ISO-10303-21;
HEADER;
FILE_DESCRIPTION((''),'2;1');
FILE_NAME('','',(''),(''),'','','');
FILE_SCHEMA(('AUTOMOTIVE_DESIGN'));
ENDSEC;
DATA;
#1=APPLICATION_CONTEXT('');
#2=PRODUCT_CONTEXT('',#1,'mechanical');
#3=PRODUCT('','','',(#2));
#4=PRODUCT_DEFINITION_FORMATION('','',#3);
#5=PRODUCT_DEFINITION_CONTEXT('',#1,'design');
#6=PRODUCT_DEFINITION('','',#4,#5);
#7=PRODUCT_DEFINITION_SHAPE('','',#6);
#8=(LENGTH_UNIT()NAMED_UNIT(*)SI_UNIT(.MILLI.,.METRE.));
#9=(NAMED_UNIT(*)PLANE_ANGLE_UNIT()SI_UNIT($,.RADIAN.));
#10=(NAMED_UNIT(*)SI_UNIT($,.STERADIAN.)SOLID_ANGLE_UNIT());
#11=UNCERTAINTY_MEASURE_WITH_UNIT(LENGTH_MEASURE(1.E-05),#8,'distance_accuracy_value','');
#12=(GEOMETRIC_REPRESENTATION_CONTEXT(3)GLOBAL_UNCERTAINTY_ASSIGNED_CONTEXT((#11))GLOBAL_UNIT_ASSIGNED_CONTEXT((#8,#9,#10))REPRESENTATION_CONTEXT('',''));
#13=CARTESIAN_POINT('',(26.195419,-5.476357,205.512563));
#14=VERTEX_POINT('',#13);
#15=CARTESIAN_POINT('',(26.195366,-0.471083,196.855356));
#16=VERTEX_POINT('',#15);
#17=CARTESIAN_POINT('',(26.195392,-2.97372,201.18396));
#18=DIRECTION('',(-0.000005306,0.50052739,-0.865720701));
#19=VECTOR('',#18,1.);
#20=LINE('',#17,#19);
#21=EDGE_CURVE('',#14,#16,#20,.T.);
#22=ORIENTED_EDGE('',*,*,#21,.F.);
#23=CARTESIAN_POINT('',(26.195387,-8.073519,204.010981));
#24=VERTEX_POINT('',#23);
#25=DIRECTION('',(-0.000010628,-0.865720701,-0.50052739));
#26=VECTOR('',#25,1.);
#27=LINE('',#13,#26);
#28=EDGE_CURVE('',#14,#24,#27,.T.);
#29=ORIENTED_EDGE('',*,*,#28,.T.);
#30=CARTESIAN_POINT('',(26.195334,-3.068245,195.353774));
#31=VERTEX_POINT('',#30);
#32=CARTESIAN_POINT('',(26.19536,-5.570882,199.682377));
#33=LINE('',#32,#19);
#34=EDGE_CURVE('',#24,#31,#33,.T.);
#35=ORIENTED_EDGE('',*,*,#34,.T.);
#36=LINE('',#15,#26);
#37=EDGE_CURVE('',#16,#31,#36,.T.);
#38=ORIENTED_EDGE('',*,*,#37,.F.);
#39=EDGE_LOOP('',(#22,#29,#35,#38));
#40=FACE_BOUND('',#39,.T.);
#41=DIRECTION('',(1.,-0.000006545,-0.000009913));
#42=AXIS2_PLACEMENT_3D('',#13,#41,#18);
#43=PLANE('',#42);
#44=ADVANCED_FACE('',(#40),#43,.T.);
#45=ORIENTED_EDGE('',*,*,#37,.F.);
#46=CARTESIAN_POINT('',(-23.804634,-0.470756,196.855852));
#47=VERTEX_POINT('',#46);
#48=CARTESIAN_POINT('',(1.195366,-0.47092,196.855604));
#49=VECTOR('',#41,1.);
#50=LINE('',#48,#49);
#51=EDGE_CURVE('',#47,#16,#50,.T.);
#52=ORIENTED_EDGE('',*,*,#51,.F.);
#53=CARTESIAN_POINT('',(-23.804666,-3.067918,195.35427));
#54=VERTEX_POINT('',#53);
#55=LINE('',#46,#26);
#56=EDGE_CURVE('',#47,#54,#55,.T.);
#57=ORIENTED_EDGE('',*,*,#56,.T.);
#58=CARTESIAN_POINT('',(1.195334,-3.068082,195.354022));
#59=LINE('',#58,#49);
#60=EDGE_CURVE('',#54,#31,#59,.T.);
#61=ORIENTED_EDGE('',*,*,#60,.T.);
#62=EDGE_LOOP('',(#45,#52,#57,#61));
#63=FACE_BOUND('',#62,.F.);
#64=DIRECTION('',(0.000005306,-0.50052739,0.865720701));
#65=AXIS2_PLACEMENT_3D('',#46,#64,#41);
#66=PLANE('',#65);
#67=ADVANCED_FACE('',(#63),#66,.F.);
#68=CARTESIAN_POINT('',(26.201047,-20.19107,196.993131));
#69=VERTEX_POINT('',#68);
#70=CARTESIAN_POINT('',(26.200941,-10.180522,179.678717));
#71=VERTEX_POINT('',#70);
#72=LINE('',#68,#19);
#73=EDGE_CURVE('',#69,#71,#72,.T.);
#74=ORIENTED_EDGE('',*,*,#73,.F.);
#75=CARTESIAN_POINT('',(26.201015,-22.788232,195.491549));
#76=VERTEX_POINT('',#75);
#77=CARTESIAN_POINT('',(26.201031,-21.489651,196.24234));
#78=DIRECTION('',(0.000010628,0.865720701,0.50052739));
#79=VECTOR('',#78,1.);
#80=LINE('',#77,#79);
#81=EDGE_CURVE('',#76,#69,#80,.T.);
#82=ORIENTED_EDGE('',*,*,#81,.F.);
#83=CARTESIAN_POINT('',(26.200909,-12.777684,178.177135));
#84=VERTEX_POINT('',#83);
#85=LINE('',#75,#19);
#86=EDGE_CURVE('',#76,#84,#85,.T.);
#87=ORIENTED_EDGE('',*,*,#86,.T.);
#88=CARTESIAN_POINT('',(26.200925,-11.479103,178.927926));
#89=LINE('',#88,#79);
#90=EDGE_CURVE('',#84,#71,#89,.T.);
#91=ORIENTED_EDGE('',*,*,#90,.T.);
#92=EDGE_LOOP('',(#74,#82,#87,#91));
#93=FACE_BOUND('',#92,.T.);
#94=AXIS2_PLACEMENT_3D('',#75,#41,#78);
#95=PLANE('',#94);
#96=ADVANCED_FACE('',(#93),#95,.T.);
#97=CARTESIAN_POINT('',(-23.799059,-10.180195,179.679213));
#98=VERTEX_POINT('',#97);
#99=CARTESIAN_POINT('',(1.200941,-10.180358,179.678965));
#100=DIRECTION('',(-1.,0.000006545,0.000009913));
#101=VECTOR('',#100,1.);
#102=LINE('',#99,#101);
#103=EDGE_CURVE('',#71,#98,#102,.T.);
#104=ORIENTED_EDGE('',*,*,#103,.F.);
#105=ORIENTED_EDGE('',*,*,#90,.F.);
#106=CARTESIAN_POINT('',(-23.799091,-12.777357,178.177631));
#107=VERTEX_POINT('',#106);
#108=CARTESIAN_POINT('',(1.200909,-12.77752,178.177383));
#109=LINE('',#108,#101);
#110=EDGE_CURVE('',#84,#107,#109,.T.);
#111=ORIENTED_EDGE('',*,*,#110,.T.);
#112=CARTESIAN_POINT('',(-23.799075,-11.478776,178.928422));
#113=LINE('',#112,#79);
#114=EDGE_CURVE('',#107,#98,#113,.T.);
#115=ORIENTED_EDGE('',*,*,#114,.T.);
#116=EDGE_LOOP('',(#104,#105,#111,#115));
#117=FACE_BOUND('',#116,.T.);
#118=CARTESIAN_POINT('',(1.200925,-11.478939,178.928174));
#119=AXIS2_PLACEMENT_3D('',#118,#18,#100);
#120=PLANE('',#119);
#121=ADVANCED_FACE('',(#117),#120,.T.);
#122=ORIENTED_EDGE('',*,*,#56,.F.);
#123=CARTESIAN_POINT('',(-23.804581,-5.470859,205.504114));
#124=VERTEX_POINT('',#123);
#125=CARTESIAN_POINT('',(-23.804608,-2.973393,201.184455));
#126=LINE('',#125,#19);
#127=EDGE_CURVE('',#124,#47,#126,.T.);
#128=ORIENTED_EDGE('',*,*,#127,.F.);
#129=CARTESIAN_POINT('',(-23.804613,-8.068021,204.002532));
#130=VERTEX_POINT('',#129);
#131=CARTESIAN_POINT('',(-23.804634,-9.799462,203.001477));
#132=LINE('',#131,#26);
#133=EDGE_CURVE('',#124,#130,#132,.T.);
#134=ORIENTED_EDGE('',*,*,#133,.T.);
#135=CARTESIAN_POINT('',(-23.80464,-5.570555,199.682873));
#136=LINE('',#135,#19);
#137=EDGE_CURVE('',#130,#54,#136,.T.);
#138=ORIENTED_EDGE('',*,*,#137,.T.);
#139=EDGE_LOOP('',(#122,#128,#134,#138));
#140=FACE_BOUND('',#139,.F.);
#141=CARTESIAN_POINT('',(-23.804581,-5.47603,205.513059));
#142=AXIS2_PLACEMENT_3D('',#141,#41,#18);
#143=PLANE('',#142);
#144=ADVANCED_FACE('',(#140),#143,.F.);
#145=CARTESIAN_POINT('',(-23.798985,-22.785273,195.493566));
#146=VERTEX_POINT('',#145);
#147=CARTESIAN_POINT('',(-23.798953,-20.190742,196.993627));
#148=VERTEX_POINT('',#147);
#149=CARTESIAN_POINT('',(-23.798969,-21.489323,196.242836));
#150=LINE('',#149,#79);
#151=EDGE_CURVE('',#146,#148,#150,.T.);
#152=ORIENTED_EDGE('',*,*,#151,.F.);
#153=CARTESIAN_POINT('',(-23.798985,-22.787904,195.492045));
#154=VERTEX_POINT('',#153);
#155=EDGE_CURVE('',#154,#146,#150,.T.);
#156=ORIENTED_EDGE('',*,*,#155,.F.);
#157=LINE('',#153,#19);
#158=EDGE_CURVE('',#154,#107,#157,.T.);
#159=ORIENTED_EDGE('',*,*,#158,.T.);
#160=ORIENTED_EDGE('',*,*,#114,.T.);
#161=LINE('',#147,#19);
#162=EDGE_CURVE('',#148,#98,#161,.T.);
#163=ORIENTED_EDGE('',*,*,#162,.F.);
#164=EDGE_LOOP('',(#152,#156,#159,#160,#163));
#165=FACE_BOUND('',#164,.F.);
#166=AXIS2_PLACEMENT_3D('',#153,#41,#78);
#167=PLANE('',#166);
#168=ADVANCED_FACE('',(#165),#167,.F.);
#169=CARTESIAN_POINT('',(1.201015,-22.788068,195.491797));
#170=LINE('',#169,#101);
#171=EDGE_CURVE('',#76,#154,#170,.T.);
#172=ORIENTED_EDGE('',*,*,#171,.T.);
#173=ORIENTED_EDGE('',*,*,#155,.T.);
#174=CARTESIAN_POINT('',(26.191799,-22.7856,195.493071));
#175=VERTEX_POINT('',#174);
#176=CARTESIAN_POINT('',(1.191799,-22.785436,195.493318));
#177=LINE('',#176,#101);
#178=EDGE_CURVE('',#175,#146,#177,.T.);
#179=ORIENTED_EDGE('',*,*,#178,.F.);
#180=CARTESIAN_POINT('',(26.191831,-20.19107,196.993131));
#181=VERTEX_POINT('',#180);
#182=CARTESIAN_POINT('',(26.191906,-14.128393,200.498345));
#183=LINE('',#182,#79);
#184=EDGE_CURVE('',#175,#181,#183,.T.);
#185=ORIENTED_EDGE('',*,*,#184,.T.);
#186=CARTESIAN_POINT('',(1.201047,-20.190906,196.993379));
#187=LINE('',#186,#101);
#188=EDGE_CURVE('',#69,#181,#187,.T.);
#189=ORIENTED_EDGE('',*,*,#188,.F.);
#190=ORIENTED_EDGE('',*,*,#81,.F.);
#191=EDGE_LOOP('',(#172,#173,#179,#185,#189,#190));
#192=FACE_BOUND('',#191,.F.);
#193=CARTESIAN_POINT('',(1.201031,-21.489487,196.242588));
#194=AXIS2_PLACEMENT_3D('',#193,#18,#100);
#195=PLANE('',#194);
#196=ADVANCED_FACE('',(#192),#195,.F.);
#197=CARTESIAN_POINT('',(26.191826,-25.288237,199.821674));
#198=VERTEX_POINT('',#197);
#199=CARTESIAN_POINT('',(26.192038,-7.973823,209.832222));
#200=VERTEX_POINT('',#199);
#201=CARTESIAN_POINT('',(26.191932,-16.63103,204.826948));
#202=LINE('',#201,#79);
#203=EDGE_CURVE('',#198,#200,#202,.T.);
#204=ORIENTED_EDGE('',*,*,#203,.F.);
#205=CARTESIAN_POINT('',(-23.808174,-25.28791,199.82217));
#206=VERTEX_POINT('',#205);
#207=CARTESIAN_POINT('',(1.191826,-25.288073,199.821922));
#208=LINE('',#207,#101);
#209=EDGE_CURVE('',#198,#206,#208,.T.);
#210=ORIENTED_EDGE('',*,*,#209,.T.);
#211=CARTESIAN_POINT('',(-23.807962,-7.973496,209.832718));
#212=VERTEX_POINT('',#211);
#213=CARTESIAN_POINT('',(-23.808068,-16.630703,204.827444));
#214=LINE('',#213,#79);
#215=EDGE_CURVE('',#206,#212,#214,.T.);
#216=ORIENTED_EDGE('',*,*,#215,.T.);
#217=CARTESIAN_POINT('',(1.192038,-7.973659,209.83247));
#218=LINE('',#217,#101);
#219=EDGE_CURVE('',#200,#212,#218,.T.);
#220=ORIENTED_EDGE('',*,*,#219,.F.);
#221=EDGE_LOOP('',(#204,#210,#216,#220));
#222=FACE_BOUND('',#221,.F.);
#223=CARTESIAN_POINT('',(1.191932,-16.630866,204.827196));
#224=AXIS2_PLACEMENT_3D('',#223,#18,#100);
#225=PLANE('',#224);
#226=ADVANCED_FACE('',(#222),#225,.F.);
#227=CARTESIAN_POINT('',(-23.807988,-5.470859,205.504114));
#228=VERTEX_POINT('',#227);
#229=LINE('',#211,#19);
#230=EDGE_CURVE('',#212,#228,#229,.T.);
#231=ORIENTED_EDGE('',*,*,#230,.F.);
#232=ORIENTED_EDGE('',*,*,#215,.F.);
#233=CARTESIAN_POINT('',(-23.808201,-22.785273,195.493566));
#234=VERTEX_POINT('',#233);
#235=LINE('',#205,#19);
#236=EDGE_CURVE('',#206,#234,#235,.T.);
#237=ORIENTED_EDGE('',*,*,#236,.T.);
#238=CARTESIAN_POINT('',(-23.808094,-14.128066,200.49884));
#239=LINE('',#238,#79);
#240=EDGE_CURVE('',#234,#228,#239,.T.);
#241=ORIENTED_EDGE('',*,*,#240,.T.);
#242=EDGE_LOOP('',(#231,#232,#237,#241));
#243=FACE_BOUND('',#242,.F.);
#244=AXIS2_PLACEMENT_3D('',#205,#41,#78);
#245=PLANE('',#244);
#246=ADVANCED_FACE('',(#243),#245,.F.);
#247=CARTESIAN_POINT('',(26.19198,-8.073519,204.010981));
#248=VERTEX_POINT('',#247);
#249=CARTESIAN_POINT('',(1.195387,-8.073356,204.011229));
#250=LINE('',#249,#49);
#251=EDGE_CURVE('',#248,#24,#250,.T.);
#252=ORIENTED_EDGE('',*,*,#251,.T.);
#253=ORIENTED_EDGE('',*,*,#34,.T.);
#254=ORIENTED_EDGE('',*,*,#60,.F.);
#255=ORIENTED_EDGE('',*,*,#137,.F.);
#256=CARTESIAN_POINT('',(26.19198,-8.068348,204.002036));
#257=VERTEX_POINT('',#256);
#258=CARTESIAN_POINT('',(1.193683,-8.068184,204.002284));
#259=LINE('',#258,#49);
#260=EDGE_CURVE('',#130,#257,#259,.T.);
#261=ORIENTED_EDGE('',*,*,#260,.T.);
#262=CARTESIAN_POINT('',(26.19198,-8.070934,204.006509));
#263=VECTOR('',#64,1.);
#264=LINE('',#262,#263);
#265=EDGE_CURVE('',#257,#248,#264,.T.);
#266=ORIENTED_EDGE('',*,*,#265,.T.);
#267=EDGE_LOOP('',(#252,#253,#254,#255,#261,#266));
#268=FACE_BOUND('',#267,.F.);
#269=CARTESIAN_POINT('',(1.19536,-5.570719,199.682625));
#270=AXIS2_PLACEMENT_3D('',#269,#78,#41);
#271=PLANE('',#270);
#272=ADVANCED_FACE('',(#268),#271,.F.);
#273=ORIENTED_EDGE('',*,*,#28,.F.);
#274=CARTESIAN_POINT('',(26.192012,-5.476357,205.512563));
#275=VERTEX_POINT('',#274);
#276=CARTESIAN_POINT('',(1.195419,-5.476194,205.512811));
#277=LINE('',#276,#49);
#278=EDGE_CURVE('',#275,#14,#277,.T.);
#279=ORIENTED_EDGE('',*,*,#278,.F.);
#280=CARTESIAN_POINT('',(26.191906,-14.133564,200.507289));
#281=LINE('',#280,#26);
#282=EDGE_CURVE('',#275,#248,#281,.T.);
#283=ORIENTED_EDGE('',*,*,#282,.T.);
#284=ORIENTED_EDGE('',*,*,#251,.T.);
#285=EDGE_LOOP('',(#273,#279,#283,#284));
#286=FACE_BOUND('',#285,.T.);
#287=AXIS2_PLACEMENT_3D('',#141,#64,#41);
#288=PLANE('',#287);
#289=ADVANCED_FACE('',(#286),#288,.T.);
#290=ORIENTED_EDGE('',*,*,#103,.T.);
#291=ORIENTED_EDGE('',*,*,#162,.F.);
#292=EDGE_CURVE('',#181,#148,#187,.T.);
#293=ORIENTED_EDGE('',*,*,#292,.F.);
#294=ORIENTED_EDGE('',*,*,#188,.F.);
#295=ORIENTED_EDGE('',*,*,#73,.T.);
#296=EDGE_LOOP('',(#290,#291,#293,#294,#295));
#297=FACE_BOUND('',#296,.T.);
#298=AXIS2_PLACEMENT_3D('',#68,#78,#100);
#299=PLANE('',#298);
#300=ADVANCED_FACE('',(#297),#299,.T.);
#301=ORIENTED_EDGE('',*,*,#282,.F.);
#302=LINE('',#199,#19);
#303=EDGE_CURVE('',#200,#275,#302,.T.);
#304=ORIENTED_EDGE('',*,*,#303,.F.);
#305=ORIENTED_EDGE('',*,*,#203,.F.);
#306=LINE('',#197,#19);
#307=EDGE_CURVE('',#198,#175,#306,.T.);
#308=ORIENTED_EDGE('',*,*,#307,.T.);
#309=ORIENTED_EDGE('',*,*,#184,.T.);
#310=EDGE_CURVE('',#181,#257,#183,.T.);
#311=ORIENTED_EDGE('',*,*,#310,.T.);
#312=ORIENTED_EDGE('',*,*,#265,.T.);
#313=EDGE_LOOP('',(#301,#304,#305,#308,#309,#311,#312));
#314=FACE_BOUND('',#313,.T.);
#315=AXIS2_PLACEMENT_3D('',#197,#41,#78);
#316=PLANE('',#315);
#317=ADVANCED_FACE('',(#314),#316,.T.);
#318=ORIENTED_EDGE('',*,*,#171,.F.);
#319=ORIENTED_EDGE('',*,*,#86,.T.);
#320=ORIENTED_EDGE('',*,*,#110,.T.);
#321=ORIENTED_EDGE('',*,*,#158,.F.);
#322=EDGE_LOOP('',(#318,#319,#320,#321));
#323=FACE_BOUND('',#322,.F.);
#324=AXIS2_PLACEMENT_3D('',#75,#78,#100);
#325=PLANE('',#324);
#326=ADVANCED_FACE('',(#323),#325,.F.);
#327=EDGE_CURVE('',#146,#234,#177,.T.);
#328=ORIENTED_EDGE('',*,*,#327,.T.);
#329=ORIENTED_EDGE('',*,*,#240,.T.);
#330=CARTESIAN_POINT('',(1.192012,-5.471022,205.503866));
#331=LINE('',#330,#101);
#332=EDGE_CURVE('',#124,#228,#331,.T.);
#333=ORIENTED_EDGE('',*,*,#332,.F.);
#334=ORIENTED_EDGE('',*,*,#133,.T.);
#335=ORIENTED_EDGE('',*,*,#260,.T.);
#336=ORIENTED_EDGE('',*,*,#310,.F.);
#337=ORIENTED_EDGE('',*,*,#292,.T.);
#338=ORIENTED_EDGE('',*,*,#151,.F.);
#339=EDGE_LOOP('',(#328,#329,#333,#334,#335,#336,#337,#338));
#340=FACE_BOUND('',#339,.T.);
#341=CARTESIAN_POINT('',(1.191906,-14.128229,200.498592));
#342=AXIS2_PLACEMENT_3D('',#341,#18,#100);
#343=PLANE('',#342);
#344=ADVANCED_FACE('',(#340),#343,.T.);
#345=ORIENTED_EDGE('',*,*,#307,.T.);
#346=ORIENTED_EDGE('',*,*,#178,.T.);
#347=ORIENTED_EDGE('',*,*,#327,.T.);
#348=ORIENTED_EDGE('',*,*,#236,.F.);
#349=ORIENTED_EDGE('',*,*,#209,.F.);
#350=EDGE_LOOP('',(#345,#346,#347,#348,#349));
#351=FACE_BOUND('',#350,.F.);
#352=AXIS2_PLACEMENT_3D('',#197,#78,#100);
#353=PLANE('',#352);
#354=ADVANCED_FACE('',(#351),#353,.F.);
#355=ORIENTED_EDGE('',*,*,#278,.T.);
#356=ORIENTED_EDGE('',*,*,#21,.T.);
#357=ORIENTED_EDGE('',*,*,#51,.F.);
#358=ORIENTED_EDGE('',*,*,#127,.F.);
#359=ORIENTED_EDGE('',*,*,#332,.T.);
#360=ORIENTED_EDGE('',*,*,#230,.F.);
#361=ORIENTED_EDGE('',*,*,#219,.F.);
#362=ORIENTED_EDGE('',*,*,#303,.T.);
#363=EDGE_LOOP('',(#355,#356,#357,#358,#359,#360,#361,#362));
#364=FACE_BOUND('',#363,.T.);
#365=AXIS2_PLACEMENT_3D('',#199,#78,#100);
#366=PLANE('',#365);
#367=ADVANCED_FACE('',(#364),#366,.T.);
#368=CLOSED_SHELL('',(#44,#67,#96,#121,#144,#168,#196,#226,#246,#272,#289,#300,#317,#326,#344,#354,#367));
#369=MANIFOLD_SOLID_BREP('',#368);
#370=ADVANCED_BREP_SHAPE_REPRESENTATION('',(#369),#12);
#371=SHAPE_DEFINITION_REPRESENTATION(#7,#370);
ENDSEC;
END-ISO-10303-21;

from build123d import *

# Parameters (mm, degrees)
SKETCH057_W             = 50
SKETCH057_H             = 20
PAD056_DEPTH            = 5
SKETCH058_W             = 50
SKETCH058_H             = 3
PAD057_DEPTH            = 20
SKETCH059_W             = 50
SKETCH059_H             = 10
PAD058_DEPTH            = 3
BODY043_ROLL_ANGLE      = 149.965102
BODY043_PITCH_ANGLE     = -0.000568
BODY043_PLACEMENT_ANGLE = 179.999625


with BuildPart() as part:
    # Sketch057 → Pad056 (new body)
    with BuildSketch(Plane.XY):
        with Locations((184.845276, -123.914059)):
            Rectangle(SKETCH057_W, SKETCH057_H)
    extrude(amount=PAD056_DEPTH)

    # Sketch058 (on Face6 of Pad056) → Pad057 (join)
    with BuildSketch(Plane.XY.offset(5)):
        with Locations((184.83606, -132.417099)):
            Rectangle(SKETCH058_W, SKETCH058_H)
    extrude(amount=PAD057_DEPTH)

    # Sketch059 (on Face7 of Pad057) → Pad058 (join)
    with BuildSketch(Plane(origin=(0, -113.914059, 0), x_dir=(-1, 0, 0), z_dir=(0, 1, 0))):
        with Locations((-184.841869, 9.989668)):
            Rectangle(SKETCH059_W, SKETCH059_H)
    extrude(amount=-PAD058_DEPTH)


with BuildPart() as part_1:
    # Body043 roll: moved
    add(part.part.rotate(Axis((0, 0, 0), (1, 0, 0)), BODY043_ROLL_ANGLE))


with BuildPart() as part_2:
    # Body043 pitch: moved
    add(part_1.part.rotate(Axis((0, 0, 0), (0, 1, 0)), BODY043_PITCH_ANGLE))


with BuildPart() as part_3:
    # Body043 placement: moved
    add(part_2.part.moved(Location((186.038525, 90.64289, 266.847744))).rotate(Axis((186.038525, 90.64289, 266.847744), (0, 0, 1)), BODY043_PLACEMENT_ANGLE))


solid = part_3.part
